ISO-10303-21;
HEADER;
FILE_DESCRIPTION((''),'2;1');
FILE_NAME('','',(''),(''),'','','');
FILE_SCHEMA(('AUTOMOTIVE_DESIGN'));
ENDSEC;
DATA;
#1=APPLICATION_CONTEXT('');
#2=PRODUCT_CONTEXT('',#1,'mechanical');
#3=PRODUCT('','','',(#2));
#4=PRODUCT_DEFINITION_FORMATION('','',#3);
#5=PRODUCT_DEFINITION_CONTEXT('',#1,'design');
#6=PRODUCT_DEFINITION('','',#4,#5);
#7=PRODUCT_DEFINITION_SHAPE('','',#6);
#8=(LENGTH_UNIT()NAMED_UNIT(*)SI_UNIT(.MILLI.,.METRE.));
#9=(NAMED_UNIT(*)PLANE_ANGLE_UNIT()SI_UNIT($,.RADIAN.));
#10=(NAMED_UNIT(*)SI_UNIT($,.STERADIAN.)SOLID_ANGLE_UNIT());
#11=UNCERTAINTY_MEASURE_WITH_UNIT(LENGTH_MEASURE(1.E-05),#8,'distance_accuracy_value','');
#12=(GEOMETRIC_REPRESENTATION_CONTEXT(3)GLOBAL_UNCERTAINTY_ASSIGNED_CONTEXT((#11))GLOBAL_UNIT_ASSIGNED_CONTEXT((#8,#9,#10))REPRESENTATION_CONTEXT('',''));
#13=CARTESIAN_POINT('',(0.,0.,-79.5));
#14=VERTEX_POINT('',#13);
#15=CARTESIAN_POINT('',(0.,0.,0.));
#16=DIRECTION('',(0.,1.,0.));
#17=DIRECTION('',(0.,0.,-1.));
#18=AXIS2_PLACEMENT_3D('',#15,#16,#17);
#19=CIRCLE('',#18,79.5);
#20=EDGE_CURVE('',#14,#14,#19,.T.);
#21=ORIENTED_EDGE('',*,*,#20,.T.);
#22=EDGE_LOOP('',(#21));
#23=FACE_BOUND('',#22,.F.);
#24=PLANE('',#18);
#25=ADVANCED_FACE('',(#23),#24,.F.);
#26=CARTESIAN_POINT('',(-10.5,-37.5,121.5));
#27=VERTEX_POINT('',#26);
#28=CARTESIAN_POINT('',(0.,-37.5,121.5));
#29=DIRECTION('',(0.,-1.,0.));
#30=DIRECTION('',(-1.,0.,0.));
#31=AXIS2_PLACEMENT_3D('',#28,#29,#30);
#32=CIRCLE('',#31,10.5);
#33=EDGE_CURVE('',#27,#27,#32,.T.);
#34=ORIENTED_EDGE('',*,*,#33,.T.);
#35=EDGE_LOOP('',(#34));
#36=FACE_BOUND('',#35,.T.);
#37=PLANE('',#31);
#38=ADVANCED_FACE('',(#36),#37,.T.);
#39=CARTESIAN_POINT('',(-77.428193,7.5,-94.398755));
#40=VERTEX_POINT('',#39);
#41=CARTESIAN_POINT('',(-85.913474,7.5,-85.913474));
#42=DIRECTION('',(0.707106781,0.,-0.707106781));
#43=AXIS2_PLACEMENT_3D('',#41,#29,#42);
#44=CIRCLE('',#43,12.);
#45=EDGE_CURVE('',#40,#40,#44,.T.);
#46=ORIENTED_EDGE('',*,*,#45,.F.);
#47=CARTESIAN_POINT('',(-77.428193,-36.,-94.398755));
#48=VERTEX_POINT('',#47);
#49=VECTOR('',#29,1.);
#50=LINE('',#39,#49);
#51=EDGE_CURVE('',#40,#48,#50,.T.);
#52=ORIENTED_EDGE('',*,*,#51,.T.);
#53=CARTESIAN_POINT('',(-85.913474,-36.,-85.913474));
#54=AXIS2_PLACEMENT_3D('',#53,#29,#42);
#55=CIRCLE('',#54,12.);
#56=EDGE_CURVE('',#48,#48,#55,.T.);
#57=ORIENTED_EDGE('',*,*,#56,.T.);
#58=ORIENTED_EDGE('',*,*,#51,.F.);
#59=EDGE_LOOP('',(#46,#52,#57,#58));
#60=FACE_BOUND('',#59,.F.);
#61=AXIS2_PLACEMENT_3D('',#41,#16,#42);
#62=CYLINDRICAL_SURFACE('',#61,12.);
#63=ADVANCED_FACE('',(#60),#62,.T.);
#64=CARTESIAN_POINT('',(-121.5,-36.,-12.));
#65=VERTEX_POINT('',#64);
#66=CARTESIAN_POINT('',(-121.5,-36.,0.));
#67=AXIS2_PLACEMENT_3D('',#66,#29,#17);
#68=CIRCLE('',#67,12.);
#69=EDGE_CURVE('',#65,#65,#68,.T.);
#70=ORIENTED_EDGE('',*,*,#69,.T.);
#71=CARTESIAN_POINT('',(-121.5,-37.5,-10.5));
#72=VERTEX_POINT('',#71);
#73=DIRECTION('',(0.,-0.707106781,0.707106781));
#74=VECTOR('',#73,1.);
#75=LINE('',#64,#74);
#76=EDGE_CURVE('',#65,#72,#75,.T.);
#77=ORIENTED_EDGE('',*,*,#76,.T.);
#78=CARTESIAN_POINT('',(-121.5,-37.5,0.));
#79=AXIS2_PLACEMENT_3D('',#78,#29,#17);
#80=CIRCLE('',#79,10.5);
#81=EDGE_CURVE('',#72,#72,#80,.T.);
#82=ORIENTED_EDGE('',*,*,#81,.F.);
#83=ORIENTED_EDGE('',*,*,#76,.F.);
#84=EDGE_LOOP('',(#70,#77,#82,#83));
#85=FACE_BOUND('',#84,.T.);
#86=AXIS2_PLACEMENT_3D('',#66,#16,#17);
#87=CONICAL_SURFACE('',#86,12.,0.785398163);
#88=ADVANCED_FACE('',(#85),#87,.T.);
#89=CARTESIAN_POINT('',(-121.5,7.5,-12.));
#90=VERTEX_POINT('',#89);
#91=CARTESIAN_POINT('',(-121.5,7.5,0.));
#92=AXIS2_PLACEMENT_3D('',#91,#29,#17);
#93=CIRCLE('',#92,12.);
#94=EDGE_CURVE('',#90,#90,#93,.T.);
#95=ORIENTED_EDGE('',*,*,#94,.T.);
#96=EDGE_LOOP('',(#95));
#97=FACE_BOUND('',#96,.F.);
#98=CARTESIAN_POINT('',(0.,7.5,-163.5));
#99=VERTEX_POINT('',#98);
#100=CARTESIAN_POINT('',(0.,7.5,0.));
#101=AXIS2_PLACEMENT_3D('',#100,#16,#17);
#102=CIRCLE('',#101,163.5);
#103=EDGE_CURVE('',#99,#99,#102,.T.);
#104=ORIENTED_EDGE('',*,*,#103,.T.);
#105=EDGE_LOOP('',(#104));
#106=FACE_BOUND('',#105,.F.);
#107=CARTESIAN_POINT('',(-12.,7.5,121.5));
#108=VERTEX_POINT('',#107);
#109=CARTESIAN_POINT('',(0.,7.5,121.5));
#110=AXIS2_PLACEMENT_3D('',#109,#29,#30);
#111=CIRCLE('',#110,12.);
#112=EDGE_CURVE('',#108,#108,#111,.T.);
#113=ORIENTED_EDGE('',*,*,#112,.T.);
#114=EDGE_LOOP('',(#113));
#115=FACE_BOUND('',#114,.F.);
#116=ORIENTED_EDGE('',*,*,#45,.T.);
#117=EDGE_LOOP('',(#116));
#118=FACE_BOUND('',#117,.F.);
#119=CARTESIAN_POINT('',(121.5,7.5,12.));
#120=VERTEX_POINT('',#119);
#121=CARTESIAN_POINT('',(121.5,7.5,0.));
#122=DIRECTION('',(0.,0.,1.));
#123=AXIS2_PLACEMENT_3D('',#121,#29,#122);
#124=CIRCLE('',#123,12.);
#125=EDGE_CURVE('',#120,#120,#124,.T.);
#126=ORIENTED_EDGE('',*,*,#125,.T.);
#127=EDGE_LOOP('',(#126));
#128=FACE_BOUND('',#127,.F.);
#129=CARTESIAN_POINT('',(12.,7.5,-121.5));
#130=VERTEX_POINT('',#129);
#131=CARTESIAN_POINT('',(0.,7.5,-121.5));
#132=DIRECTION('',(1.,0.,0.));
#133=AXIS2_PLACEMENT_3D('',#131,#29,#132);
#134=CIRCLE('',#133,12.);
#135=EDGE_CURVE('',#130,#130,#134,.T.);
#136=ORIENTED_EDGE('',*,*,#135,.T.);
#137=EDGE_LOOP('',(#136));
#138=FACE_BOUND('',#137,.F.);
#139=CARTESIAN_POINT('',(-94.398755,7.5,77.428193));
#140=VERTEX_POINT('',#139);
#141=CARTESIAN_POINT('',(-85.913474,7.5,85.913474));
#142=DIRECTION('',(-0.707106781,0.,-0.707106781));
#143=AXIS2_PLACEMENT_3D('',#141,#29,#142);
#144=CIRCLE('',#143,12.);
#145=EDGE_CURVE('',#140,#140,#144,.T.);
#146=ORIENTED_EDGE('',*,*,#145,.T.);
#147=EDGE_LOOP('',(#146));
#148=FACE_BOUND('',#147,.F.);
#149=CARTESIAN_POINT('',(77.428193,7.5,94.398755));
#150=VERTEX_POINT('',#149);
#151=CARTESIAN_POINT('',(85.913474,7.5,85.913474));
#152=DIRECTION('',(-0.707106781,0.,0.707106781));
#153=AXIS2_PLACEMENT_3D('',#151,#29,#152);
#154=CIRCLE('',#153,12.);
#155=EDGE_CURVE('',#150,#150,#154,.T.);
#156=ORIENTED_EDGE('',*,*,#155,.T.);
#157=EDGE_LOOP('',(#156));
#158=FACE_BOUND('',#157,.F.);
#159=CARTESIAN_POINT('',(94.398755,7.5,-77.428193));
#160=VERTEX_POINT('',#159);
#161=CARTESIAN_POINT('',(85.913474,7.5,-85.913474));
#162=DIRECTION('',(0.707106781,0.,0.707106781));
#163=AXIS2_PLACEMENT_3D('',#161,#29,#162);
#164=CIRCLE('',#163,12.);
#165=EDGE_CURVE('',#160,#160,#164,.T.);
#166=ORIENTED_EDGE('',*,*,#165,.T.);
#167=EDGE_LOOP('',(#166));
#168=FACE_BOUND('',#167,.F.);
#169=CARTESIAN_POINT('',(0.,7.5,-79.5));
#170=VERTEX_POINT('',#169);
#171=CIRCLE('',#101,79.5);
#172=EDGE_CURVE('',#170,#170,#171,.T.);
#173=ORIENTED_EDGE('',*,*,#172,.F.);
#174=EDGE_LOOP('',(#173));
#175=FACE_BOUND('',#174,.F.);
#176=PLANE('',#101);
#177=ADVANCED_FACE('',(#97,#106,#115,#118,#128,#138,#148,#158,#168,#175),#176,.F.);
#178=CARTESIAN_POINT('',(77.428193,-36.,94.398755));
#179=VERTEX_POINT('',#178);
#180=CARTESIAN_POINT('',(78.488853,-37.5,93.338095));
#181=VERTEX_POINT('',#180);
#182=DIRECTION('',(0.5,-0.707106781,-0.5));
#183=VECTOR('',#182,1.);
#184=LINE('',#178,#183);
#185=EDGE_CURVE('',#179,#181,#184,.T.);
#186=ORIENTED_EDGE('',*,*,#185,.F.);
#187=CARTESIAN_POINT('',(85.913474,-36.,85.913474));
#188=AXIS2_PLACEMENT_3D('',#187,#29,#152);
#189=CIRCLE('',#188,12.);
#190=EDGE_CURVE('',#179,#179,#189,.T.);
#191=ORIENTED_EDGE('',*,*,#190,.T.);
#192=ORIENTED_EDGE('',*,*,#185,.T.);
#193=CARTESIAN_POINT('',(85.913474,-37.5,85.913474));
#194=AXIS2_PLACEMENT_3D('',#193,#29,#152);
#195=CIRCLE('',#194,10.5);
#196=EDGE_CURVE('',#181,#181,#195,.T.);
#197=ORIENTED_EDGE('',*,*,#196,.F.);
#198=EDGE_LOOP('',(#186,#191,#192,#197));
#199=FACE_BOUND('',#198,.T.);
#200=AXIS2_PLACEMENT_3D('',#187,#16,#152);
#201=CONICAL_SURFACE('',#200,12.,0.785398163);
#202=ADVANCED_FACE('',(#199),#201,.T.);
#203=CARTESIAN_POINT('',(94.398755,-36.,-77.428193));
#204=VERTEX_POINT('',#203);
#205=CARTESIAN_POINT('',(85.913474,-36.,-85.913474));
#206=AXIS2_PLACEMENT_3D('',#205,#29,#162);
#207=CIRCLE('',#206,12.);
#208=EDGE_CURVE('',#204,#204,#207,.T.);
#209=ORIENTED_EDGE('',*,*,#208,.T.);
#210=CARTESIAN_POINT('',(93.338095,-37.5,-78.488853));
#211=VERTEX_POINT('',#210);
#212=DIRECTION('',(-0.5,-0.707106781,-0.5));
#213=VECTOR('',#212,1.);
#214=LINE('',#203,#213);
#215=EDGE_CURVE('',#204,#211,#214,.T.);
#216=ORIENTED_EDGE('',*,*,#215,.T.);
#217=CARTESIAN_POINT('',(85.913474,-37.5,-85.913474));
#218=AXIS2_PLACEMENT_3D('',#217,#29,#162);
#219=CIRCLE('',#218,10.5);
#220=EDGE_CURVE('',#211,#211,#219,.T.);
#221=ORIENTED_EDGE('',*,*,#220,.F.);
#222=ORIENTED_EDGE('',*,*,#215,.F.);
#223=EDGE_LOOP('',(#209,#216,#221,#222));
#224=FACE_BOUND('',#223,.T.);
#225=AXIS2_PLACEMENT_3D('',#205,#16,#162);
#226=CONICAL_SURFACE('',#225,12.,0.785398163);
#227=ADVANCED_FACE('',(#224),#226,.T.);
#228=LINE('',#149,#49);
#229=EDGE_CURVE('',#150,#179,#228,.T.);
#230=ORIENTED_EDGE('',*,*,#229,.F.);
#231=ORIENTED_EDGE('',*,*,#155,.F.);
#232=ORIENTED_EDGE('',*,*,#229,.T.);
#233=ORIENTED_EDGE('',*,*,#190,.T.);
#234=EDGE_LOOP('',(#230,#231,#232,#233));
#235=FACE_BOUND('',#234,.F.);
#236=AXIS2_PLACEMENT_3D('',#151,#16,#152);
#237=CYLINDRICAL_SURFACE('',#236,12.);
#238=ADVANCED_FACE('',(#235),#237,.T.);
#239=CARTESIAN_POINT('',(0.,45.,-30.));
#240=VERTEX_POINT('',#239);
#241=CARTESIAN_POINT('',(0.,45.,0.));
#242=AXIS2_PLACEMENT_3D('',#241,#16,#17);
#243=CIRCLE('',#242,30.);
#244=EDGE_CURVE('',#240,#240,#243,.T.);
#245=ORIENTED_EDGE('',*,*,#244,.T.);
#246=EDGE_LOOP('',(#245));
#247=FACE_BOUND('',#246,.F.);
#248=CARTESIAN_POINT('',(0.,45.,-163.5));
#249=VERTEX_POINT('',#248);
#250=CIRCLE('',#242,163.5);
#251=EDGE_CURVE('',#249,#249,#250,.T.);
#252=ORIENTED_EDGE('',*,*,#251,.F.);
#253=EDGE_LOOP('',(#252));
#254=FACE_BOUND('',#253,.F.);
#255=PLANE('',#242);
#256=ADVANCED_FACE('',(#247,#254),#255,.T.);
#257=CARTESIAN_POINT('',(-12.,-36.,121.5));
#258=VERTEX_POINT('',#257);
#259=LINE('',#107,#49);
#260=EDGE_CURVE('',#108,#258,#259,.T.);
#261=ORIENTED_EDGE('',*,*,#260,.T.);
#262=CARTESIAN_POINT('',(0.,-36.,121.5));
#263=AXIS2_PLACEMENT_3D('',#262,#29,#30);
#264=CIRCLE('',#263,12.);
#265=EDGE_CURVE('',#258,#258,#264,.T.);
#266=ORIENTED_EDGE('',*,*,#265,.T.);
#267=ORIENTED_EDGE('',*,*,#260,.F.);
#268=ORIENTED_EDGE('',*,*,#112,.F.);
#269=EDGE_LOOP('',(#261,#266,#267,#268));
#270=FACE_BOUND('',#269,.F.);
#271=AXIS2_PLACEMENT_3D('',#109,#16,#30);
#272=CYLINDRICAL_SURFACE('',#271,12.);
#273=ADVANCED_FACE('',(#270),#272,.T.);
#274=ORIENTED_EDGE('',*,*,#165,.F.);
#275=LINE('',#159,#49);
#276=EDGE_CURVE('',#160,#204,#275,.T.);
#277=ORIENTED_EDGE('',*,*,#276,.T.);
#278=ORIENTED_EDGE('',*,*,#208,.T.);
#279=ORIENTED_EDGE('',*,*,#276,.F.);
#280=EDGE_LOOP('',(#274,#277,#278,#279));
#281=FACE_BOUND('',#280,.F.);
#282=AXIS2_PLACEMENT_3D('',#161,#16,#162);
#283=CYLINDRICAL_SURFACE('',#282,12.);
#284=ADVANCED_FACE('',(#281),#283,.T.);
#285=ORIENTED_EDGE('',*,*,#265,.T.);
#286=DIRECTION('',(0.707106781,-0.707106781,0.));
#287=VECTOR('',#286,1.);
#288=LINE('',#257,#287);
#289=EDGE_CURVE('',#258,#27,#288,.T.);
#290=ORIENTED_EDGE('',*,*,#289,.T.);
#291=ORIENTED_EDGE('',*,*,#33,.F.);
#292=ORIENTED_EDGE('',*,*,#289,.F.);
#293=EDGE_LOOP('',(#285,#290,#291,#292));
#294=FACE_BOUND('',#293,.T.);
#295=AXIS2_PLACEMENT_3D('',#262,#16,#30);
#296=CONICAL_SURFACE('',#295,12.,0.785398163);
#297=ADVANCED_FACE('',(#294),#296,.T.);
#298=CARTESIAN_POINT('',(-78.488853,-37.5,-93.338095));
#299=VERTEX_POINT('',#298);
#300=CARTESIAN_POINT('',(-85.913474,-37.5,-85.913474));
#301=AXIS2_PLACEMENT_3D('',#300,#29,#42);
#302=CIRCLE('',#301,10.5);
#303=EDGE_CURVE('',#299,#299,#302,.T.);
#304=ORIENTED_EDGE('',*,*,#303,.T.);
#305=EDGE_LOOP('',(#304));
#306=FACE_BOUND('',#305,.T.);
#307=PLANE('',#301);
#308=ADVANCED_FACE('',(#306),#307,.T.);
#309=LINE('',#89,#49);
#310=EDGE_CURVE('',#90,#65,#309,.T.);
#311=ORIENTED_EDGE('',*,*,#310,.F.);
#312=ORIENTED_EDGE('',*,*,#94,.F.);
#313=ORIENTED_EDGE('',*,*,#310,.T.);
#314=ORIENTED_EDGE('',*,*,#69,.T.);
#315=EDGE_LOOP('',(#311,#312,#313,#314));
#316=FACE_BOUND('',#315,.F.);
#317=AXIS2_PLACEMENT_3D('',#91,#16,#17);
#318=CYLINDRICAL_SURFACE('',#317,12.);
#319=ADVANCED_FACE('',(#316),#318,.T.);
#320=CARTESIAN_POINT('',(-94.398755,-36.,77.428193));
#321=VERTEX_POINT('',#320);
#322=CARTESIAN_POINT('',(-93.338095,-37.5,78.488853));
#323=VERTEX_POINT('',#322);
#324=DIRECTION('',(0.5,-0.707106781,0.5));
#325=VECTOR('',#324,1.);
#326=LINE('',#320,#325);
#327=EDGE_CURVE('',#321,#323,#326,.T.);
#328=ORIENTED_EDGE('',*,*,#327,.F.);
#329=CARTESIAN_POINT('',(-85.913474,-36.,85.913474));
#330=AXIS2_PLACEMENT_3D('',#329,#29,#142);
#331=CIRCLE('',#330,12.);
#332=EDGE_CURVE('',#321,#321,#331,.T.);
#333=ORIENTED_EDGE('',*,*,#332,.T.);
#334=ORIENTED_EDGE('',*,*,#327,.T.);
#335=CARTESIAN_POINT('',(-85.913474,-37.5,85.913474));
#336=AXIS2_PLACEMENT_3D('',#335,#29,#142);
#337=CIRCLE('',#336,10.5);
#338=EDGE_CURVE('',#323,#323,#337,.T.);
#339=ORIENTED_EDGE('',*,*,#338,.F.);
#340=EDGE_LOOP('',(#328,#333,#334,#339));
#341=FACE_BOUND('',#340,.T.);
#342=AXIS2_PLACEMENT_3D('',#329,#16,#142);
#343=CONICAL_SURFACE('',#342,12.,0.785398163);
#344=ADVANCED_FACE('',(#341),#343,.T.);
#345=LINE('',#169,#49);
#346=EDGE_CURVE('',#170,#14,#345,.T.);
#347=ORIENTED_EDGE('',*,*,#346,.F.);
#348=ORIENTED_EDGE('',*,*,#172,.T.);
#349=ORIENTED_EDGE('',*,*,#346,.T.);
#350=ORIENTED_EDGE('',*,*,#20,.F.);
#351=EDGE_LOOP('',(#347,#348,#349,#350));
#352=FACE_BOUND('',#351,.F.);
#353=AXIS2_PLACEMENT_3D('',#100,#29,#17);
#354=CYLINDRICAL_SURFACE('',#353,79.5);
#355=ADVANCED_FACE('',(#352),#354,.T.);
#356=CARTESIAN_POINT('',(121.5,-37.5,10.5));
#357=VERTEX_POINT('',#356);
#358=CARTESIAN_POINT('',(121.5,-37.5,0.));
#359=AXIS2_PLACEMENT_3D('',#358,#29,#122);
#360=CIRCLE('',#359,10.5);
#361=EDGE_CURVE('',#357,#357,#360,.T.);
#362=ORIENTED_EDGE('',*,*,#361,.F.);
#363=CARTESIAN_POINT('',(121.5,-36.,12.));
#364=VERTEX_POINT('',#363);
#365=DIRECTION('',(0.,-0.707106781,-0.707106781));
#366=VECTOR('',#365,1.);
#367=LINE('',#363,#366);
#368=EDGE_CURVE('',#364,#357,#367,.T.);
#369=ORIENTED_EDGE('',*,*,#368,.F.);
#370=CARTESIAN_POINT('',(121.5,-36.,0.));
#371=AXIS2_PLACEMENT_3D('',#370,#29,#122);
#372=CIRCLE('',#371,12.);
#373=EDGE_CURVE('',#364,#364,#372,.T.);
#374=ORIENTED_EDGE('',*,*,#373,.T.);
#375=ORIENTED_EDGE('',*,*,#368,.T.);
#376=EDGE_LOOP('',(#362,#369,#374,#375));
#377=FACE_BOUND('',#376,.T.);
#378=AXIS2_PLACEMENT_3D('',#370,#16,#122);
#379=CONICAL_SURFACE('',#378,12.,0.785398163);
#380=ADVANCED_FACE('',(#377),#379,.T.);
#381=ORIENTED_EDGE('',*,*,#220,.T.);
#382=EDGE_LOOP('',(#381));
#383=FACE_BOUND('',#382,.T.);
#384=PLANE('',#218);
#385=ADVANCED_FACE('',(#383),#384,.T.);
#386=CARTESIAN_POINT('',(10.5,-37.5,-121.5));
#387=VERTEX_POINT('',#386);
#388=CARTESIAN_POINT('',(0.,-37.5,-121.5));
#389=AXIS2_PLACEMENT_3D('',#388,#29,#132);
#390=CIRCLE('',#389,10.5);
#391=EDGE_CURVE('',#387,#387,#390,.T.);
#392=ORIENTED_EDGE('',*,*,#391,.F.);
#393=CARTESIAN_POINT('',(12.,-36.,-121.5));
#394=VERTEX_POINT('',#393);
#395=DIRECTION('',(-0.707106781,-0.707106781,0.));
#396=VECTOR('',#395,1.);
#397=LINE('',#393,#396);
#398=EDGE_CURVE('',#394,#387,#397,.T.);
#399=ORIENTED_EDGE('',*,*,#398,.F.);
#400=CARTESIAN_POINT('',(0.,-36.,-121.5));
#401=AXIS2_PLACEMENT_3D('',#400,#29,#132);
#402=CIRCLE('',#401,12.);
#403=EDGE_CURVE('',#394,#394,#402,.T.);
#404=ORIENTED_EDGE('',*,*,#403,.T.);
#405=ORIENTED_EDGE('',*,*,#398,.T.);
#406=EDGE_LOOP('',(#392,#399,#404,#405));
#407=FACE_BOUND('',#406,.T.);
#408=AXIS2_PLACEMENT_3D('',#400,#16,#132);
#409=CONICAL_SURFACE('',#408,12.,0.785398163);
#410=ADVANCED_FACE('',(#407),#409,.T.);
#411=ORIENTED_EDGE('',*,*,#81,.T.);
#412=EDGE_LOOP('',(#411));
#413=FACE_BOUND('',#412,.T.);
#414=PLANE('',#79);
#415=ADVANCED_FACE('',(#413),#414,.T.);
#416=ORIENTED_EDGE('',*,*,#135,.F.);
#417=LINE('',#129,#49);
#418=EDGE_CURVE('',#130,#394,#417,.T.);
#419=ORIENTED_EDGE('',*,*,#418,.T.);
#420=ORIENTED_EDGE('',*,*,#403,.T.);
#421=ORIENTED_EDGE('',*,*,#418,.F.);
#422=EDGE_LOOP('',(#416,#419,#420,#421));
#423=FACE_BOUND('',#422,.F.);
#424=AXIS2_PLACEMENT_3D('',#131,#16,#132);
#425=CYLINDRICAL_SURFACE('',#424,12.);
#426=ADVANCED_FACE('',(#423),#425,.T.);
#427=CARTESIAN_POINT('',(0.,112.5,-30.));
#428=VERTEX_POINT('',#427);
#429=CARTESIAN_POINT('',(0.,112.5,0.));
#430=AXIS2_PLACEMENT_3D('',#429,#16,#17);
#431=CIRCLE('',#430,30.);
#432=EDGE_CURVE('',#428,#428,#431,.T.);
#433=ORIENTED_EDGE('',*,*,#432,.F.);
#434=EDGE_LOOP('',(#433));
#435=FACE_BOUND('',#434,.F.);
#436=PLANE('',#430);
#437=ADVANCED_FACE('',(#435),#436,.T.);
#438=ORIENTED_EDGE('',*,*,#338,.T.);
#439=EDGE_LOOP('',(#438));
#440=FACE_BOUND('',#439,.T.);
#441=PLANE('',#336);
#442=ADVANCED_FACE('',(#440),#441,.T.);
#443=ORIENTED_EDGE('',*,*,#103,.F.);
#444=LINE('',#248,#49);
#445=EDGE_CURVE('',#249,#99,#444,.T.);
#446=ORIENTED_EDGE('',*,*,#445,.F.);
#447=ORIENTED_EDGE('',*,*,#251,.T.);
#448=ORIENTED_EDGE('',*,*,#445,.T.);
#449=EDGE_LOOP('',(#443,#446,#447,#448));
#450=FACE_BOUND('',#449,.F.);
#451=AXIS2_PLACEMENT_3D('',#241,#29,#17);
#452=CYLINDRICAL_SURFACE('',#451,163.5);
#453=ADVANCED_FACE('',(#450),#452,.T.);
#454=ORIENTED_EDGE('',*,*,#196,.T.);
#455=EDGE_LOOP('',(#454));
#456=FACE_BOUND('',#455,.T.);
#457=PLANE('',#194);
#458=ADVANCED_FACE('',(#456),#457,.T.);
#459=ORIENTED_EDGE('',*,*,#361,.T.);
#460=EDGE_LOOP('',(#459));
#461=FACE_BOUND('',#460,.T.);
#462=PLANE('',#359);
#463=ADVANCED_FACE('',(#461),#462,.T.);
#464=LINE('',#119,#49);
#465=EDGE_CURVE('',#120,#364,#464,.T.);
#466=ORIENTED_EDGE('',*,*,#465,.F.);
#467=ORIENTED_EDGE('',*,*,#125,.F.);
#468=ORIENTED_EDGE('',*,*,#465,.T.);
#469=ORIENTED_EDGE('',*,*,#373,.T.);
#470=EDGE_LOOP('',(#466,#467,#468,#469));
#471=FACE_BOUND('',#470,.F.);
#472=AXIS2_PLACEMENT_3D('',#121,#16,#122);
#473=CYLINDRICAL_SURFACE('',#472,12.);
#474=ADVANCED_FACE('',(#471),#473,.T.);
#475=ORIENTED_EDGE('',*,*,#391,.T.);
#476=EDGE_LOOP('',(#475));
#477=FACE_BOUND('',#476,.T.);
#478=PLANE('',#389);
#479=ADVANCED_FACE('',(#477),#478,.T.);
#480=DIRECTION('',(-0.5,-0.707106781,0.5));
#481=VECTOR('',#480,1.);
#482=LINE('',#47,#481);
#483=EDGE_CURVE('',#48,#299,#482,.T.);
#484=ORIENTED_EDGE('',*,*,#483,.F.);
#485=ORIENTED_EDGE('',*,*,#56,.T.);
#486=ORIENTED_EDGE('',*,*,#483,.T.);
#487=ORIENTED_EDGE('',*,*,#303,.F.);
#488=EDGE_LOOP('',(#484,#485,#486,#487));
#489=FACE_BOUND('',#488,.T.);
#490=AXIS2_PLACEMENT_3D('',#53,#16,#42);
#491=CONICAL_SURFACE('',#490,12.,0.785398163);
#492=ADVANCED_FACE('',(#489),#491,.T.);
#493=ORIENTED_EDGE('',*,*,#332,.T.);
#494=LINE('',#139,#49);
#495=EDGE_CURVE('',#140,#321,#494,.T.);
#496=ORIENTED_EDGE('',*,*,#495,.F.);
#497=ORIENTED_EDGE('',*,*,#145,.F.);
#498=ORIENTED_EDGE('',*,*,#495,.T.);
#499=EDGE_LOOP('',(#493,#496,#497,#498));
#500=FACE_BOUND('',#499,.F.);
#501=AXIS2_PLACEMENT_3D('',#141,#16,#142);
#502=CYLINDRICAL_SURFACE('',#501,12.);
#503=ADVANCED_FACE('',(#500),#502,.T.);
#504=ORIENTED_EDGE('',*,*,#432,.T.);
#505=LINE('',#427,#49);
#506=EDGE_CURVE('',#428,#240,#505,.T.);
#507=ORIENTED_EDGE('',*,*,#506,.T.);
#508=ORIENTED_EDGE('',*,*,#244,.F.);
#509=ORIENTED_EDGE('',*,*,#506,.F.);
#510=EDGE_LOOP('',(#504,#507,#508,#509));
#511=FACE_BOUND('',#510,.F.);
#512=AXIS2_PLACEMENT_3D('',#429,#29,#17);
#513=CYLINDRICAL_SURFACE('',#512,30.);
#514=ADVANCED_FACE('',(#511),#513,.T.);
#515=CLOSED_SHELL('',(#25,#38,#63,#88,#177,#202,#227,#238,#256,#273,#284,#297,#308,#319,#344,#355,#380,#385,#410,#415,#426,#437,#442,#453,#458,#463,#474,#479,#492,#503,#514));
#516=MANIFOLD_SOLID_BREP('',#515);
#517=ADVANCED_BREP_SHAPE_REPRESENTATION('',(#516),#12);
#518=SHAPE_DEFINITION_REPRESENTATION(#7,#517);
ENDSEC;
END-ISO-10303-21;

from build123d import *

# Parameters (mm, degrees)
SKETCH2_R                    = 12
BOSS_EXTRUDE1_DEPTH          = 45
CHAMFER1_SIZE                = 1.5
CIRPATTERN1_COUNT            = 8
CHAMFER1_OF_CIRPATTERN1_SIZE = 1.5


with BuildPart() as part:
    # Sketch1 → Revolve1 (revolve)
    with BuildSketch(Plane.XY, mode=Mode.PRIVATE) as revolve1_sk:
        Polygon((0, 0), (0, 112.5), (30, 112.5), (30, 45), (163.5, 45), (163.5, 7.5), (79.5, 7.5), (79.5, 0), align=None)
    revolve(revolve1_sk.sketch.rotate(Axis((0, 0, 0), (0, 1, 0)), 90), axis=Axis((0, 0, 0), (0, 1, 0)))

    # Sketch2 → Boss-Extrude1 (add)
    with BuildSketch(Plane.XZ.offset(-7.5)):
        with Locations(Location((121.5, 0, 0), (0, 0, 90))):
            Circle(SKETCH2_R)
    boss_extrude1 = extrude(amount=BOSS_EXTRUDE1_DEPTH)

    # Chamfer1
    chamfer1_edges = [part.edges().sort_by_distance(p)[0] for p in [
        (121.5, -37.5, -12),
    ]]
    chamfer(chamfer1_edges, length=CHAMFER1_SIZE)

    # CirPattern1: Boss-Extrude1 ×8 about axis
    cirpattern1_axis = Axis((0, 0, 0), (0, 1, 0))
    for i in range(1, CIRPATTERN1_COUNT):
        add(boss_extrude1.rotate(cirpattern1_axis, i * 360 / CIRPATTERN1_COUNT))

    # Chamfer1 of CirPattern1
    chamfer1_of_cirpattern1_edges = [part.edges().sort_by_distance(p)[0] for p in [
        (77.42819254, -37.5, -94.398755288),
        (-12, -37.5, -121.5),
        (-94.398755288, -37.5, -77.42819254),
        (-121.5, -37.5, 12),
        (-77.42819254, -37.5, 94.398755288),
        (12, -37.5, 121.5),
        (94.398755288, -37.5, 77.42819254),
    ]]
    chamfer(chamfer1_of_cirpattern1_edges, length=CHAMFER1_OF_CIRPATTERN1_SIZE)


solid = part.part
